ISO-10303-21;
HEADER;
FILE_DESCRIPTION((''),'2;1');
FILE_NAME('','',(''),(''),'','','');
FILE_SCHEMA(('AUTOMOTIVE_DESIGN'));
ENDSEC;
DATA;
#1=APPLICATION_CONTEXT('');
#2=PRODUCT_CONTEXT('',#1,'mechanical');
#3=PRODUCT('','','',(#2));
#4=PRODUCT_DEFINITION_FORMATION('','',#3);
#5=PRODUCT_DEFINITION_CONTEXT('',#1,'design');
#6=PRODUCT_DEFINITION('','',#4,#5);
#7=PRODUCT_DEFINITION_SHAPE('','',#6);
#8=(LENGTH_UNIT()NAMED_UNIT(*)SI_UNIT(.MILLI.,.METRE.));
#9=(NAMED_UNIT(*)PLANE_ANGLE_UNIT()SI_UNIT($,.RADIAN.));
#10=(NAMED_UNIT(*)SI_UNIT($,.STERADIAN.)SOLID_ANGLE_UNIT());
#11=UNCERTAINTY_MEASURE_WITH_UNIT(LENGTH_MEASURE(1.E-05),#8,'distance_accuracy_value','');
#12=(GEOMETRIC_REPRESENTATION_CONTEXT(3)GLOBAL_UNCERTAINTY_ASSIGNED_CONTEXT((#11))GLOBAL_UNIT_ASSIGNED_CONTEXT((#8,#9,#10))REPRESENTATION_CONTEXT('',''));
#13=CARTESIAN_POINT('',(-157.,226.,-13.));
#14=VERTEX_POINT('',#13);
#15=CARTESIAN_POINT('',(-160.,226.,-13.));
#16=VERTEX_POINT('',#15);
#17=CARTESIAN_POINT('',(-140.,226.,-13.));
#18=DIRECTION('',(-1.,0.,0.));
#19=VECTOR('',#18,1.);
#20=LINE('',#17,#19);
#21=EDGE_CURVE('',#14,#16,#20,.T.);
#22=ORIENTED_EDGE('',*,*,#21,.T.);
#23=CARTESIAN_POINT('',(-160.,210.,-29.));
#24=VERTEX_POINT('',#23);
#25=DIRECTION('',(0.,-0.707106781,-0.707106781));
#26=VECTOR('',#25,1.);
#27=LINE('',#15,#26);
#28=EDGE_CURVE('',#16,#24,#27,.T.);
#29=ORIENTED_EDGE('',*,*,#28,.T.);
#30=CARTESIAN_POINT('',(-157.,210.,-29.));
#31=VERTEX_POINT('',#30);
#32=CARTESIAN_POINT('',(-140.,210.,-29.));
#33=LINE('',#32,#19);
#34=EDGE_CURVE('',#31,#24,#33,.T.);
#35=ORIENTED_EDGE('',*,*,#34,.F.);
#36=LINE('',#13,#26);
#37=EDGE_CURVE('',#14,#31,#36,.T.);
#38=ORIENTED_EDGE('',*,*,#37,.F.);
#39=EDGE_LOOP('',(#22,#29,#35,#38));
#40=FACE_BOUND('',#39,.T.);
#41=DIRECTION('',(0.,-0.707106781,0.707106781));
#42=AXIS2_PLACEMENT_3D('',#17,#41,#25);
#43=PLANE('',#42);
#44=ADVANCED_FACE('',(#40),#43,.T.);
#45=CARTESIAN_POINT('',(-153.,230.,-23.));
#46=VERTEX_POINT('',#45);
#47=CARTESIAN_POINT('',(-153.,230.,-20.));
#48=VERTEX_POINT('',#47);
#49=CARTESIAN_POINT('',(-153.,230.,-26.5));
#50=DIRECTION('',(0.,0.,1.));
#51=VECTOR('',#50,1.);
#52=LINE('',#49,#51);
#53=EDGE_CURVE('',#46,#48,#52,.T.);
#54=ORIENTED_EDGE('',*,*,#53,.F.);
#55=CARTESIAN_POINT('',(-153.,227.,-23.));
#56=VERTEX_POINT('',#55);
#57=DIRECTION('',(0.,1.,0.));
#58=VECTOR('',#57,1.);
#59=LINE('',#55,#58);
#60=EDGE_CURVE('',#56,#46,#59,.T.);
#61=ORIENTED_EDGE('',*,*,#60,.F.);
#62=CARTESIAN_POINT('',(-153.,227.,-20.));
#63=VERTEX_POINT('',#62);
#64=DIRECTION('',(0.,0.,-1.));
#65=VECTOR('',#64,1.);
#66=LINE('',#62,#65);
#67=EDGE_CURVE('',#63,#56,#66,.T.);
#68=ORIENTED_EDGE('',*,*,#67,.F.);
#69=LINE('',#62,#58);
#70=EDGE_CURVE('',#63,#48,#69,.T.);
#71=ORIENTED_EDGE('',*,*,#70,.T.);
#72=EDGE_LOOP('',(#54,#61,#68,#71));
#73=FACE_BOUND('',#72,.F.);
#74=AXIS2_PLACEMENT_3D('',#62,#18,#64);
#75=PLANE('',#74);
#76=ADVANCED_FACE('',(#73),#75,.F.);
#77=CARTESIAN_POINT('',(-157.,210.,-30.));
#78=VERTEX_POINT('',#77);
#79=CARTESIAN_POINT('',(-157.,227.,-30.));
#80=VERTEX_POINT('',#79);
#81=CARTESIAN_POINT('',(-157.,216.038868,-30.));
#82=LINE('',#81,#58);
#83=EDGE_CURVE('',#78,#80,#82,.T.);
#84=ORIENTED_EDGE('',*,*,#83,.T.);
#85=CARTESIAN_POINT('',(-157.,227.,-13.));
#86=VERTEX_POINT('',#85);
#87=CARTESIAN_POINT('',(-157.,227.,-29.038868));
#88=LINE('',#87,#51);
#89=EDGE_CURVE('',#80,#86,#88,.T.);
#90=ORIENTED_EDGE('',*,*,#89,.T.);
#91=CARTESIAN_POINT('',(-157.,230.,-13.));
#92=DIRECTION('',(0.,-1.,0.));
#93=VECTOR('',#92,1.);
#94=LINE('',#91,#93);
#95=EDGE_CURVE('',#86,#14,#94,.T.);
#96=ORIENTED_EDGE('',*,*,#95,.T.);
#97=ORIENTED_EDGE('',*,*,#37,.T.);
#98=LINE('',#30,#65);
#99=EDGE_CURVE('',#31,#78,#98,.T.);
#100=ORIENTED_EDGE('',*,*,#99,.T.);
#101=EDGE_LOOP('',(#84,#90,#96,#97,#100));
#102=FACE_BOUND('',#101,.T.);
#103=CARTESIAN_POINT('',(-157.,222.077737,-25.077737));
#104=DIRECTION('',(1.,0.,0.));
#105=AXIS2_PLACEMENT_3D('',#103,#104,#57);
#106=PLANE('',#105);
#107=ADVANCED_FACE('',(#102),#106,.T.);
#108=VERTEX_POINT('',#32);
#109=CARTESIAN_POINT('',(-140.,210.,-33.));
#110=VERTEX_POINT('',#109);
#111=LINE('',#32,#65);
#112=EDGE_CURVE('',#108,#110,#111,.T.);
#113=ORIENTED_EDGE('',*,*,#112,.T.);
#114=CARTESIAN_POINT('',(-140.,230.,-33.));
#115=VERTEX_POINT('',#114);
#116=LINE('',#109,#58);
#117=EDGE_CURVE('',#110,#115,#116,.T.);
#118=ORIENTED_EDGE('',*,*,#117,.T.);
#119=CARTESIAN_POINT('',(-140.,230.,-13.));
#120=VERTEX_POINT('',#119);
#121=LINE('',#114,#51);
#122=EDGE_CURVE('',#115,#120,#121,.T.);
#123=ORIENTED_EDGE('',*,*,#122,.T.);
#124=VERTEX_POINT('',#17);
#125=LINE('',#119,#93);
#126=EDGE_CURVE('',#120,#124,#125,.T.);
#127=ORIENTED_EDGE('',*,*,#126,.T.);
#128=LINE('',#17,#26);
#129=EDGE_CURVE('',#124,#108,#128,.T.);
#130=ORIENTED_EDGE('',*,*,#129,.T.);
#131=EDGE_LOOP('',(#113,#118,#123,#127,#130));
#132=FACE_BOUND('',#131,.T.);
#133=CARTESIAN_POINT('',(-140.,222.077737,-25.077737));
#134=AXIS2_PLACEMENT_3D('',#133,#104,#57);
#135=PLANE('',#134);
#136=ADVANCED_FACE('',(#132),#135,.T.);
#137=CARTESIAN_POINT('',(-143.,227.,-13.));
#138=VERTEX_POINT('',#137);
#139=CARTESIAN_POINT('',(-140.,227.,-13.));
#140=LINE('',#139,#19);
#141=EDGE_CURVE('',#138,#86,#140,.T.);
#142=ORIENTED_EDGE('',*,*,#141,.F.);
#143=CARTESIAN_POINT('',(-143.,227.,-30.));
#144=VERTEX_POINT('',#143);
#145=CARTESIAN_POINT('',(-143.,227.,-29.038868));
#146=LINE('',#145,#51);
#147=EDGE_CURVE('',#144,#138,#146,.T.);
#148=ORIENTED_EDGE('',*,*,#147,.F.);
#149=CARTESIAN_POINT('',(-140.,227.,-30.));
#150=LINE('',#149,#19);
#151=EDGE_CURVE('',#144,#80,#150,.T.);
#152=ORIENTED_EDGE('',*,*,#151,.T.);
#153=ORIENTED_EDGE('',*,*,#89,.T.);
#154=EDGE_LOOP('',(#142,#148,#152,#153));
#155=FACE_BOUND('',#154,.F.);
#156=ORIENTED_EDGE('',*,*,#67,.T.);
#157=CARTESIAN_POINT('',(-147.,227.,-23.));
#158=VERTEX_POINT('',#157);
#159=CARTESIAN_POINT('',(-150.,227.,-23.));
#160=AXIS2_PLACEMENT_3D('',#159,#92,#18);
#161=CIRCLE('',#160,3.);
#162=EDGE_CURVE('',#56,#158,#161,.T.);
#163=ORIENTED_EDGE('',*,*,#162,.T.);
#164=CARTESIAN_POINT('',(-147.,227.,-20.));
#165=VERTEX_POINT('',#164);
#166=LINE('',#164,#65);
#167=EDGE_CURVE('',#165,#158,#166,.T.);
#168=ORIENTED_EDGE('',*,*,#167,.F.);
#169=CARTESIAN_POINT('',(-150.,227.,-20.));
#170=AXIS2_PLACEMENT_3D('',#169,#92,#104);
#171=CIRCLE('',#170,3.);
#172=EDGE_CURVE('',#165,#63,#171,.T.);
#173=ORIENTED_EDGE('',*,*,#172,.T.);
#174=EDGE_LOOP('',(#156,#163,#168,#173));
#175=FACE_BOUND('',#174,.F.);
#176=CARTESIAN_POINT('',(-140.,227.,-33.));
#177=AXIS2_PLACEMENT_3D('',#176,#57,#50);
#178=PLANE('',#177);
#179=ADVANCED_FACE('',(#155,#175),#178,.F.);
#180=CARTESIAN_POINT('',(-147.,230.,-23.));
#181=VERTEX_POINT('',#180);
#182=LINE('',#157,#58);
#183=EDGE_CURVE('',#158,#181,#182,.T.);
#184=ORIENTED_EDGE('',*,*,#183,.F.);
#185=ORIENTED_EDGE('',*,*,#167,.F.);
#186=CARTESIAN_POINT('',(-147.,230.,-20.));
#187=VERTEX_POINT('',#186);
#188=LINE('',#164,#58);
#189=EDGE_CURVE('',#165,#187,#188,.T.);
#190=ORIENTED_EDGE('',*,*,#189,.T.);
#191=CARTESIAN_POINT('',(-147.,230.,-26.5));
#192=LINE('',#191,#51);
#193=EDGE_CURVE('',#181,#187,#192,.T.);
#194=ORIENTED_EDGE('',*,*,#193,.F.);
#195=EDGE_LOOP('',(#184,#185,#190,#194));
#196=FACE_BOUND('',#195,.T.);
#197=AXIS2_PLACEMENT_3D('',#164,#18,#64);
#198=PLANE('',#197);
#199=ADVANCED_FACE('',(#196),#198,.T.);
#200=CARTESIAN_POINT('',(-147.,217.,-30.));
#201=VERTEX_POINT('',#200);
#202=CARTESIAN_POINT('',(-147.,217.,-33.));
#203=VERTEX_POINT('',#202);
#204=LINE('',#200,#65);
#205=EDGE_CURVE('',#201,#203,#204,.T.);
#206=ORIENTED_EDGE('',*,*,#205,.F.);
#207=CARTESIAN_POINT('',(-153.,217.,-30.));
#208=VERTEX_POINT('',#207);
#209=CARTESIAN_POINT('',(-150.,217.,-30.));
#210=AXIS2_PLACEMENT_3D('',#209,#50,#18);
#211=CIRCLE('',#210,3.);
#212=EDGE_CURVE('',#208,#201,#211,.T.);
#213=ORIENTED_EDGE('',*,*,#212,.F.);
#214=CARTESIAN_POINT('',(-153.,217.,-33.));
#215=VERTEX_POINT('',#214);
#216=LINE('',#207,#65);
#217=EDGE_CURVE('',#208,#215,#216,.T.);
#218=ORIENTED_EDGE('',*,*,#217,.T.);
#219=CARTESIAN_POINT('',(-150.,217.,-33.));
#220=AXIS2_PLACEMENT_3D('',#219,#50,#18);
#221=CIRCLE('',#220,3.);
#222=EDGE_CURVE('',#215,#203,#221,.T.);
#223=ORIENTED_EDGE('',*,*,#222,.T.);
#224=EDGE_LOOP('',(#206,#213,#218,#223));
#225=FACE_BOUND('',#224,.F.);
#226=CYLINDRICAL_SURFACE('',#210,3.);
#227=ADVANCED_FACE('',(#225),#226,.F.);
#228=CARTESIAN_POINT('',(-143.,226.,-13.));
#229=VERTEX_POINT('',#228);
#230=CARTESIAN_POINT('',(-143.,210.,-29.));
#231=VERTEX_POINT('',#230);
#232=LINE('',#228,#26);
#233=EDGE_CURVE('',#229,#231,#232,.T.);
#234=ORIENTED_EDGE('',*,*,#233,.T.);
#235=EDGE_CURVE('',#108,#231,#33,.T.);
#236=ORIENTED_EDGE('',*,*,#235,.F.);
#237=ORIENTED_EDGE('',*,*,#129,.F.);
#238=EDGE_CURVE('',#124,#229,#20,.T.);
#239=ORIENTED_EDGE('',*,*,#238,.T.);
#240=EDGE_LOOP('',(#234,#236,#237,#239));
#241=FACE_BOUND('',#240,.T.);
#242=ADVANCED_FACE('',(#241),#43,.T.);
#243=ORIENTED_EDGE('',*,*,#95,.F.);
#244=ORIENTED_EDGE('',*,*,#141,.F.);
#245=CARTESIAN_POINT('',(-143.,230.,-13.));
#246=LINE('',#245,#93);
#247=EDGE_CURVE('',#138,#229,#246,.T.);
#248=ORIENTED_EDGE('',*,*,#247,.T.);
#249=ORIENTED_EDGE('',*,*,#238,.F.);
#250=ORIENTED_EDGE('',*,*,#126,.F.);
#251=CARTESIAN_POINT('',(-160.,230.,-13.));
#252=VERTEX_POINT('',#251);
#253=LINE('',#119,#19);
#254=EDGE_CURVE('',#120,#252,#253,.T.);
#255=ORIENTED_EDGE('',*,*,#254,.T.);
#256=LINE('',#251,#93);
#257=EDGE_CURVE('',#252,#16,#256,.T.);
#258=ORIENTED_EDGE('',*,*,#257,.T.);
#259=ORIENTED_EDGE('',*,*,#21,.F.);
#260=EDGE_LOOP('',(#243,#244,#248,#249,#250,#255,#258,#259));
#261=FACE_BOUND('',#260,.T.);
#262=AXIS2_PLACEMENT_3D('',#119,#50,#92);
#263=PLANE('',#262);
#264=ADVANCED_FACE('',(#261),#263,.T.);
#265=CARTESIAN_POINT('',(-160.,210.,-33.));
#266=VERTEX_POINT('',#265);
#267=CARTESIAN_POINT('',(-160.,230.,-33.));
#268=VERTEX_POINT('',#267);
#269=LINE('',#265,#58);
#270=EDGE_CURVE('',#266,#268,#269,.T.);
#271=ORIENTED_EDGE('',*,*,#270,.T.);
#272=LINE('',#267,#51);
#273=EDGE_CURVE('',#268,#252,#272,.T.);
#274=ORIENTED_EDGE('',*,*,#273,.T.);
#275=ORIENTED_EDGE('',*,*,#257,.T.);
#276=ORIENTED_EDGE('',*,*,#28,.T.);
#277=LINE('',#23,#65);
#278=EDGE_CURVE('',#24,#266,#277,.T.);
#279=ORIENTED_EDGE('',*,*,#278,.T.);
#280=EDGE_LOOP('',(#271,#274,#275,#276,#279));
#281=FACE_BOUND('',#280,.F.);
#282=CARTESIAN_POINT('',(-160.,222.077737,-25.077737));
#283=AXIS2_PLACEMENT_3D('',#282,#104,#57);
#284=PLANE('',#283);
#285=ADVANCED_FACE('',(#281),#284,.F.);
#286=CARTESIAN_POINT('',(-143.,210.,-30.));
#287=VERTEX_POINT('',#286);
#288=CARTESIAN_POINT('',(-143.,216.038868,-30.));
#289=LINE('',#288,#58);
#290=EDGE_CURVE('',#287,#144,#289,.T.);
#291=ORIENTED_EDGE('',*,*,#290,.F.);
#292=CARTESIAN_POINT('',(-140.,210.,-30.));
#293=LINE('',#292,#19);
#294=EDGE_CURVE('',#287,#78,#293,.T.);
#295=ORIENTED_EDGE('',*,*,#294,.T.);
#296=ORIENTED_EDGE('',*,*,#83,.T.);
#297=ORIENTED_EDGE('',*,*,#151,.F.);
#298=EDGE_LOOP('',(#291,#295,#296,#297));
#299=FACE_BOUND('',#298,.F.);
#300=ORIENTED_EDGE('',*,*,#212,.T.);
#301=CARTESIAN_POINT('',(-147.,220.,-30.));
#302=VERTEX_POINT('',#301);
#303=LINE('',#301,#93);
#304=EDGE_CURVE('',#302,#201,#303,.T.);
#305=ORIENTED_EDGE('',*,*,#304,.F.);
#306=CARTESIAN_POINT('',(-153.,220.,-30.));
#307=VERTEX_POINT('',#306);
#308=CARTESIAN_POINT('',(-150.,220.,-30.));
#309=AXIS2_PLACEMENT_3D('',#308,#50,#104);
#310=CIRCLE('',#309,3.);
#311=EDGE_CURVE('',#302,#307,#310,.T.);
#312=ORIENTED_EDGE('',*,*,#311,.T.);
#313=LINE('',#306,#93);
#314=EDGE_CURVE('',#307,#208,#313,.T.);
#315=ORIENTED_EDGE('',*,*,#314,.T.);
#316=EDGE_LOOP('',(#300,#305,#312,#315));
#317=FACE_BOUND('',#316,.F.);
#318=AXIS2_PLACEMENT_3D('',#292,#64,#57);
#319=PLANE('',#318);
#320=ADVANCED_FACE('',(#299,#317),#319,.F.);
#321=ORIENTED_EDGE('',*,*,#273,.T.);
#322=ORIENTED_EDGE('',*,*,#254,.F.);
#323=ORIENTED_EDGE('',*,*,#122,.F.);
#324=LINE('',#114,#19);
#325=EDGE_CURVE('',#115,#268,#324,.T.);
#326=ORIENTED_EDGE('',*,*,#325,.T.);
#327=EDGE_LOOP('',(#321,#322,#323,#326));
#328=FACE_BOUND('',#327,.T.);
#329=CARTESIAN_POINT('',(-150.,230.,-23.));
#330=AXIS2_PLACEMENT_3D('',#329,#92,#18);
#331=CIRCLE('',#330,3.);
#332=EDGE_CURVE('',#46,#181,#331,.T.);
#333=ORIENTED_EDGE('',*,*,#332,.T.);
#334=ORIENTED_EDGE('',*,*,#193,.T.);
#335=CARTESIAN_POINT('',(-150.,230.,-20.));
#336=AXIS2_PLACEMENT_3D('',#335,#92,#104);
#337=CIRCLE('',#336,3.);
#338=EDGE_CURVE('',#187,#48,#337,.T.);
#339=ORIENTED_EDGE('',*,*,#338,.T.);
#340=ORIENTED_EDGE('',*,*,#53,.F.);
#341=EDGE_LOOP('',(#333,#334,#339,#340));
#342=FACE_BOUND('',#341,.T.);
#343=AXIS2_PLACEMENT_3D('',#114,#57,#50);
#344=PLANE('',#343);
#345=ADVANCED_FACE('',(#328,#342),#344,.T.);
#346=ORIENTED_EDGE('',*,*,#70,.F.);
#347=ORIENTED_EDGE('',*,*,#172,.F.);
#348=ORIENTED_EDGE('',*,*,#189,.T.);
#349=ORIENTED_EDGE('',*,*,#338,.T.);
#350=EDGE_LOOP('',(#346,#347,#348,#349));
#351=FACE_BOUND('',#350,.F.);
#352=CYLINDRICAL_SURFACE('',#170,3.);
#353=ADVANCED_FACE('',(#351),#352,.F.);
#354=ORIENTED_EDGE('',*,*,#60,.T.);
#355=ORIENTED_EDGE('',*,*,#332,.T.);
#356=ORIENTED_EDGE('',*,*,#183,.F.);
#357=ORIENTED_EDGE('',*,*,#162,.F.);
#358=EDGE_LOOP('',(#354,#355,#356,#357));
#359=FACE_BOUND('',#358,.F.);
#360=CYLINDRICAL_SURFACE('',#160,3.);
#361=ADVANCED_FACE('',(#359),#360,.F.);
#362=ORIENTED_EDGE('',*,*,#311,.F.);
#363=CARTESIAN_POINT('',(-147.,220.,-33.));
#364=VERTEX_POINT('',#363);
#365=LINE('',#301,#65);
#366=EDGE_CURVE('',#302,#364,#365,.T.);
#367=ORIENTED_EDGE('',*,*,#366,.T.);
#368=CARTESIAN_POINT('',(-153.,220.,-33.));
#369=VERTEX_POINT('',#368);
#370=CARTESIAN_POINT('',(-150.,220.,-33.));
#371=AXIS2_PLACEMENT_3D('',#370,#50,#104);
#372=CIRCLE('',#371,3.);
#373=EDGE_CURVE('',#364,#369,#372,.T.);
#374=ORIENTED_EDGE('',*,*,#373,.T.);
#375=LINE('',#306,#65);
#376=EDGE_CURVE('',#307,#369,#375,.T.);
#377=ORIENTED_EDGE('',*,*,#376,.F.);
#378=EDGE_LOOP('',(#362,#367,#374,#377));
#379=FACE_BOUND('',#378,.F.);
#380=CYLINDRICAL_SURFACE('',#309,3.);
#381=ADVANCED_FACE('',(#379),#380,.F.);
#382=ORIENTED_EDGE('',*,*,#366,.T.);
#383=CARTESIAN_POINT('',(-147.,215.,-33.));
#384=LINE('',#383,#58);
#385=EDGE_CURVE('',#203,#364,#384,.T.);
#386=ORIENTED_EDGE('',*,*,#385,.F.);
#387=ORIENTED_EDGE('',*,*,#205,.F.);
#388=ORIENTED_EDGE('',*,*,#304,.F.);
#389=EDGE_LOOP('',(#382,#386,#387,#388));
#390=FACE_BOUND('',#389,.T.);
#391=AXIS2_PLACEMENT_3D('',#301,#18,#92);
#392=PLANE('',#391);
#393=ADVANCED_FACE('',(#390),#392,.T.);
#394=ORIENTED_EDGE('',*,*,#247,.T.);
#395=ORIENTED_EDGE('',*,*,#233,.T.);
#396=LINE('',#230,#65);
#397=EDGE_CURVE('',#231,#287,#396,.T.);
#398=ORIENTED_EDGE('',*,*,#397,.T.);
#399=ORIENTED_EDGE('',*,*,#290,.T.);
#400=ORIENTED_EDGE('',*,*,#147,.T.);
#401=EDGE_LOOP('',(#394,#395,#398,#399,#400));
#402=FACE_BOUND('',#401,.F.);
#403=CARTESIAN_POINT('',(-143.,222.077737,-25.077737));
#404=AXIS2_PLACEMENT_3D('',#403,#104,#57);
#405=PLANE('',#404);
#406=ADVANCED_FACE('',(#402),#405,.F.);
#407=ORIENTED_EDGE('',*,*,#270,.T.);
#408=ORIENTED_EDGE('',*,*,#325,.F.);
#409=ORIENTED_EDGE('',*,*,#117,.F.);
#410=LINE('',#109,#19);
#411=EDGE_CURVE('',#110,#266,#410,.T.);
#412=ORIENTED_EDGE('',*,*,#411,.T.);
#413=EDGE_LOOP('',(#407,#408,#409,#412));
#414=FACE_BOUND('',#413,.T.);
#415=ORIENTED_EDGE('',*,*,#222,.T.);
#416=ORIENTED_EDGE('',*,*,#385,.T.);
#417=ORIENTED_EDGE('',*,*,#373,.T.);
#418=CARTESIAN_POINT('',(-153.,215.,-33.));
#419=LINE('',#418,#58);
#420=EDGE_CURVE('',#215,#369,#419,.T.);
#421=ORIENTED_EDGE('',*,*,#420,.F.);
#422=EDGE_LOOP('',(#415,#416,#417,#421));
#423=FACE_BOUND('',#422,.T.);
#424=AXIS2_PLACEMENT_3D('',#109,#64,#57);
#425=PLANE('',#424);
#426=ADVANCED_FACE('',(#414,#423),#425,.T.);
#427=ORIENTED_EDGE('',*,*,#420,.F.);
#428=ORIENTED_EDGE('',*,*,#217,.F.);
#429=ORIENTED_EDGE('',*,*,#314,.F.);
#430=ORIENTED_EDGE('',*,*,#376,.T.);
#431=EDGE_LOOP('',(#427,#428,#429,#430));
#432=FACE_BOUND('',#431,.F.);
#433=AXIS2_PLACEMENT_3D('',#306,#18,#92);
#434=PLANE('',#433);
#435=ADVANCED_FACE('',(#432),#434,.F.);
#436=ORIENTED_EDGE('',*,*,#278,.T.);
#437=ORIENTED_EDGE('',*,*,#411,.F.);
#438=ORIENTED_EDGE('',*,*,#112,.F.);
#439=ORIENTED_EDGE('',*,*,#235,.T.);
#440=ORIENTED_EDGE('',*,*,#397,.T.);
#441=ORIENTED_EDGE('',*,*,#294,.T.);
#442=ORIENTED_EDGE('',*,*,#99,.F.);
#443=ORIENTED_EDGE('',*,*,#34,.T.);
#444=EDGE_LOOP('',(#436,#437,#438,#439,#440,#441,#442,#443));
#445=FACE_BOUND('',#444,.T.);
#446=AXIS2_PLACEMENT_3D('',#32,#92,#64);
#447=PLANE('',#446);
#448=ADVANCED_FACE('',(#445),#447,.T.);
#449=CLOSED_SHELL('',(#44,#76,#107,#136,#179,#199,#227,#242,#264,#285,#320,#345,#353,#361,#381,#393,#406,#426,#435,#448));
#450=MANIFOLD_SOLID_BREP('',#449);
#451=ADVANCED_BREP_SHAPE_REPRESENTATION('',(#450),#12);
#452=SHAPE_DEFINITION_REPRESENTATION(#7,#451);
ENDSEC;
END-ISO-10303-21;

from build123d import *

# Parameters (mm, degrees)
PAD102_DEPTH            = 20
THICKNESS001_T          = -3
POCKET077_DEPTH         = 5
POCKET078_DEPTH         = 5
BODY125_PLACEMENT_ANGLE = 270


with BuildPart() as part:
    # Sketch211 (on XZ_Plane1033 of Origin1405) → Pad102 (new body)
    with BuildSketch(Plane.XZ):
        Polygon((0, 0), (0, 20), (4, 20), (20, 4), (20, 0), align=None)
    extrude(amount=PAD102_DEPTH)

    # Thickness001
    thickness001_openings = [part.faces().sort_by_distance(p)[0] for p in [
        (2, -10, 20),
        (12, -10, 12),
        (20, -10, 2),
    ]]
    offset(amount=THICKNESS001_T, openings=thickness001_openings)

    # Sketch212 (on Face11 of Thickness001) → Pocket077 (cut)
    with BuildSketch(Plane.YZ.offset(3)):
        with BuildLine():
            ThreePointArc((-7, 13), (-10, 16), (-13, 13))
            Line((-13, 13), (-13, 10))
            ThreePointArc((-13, 10), (-10, 7), (-7, 10))
            Line((-7, 13), (-7, 10))
        make_face()
    extrude(amount=-POCKET077_DEPTH, mode=Mode.SUBTRACT)

    # Sketch213 (on Face16 of Pocket077) → Pocket078 (cut)
    with BuildSketch(Plane.XY.offset(3)):
        with BuildLine():
            ThreePointArc((10, -7), (7, -10), (10, -13))
            Line((10, -13), (13, -13))
            ThreePointArc((13, -13), (16, -10), (13, -7))
            Line((10, -7), (13, -7))
        make_face()
    extrude(amount=-POCKET078_DEPTH, mode=Mode.SUBTRACT)


with BuildPart() as part_1:
    # Body125 placement: moved
    add(part.part.moved(Location((-140, 230, -33))).rotate(Axis((-140, 230, -33), (0, 0, 1)), BODY125_PLACEMENT_ANGLE))


solid = part_1.part
